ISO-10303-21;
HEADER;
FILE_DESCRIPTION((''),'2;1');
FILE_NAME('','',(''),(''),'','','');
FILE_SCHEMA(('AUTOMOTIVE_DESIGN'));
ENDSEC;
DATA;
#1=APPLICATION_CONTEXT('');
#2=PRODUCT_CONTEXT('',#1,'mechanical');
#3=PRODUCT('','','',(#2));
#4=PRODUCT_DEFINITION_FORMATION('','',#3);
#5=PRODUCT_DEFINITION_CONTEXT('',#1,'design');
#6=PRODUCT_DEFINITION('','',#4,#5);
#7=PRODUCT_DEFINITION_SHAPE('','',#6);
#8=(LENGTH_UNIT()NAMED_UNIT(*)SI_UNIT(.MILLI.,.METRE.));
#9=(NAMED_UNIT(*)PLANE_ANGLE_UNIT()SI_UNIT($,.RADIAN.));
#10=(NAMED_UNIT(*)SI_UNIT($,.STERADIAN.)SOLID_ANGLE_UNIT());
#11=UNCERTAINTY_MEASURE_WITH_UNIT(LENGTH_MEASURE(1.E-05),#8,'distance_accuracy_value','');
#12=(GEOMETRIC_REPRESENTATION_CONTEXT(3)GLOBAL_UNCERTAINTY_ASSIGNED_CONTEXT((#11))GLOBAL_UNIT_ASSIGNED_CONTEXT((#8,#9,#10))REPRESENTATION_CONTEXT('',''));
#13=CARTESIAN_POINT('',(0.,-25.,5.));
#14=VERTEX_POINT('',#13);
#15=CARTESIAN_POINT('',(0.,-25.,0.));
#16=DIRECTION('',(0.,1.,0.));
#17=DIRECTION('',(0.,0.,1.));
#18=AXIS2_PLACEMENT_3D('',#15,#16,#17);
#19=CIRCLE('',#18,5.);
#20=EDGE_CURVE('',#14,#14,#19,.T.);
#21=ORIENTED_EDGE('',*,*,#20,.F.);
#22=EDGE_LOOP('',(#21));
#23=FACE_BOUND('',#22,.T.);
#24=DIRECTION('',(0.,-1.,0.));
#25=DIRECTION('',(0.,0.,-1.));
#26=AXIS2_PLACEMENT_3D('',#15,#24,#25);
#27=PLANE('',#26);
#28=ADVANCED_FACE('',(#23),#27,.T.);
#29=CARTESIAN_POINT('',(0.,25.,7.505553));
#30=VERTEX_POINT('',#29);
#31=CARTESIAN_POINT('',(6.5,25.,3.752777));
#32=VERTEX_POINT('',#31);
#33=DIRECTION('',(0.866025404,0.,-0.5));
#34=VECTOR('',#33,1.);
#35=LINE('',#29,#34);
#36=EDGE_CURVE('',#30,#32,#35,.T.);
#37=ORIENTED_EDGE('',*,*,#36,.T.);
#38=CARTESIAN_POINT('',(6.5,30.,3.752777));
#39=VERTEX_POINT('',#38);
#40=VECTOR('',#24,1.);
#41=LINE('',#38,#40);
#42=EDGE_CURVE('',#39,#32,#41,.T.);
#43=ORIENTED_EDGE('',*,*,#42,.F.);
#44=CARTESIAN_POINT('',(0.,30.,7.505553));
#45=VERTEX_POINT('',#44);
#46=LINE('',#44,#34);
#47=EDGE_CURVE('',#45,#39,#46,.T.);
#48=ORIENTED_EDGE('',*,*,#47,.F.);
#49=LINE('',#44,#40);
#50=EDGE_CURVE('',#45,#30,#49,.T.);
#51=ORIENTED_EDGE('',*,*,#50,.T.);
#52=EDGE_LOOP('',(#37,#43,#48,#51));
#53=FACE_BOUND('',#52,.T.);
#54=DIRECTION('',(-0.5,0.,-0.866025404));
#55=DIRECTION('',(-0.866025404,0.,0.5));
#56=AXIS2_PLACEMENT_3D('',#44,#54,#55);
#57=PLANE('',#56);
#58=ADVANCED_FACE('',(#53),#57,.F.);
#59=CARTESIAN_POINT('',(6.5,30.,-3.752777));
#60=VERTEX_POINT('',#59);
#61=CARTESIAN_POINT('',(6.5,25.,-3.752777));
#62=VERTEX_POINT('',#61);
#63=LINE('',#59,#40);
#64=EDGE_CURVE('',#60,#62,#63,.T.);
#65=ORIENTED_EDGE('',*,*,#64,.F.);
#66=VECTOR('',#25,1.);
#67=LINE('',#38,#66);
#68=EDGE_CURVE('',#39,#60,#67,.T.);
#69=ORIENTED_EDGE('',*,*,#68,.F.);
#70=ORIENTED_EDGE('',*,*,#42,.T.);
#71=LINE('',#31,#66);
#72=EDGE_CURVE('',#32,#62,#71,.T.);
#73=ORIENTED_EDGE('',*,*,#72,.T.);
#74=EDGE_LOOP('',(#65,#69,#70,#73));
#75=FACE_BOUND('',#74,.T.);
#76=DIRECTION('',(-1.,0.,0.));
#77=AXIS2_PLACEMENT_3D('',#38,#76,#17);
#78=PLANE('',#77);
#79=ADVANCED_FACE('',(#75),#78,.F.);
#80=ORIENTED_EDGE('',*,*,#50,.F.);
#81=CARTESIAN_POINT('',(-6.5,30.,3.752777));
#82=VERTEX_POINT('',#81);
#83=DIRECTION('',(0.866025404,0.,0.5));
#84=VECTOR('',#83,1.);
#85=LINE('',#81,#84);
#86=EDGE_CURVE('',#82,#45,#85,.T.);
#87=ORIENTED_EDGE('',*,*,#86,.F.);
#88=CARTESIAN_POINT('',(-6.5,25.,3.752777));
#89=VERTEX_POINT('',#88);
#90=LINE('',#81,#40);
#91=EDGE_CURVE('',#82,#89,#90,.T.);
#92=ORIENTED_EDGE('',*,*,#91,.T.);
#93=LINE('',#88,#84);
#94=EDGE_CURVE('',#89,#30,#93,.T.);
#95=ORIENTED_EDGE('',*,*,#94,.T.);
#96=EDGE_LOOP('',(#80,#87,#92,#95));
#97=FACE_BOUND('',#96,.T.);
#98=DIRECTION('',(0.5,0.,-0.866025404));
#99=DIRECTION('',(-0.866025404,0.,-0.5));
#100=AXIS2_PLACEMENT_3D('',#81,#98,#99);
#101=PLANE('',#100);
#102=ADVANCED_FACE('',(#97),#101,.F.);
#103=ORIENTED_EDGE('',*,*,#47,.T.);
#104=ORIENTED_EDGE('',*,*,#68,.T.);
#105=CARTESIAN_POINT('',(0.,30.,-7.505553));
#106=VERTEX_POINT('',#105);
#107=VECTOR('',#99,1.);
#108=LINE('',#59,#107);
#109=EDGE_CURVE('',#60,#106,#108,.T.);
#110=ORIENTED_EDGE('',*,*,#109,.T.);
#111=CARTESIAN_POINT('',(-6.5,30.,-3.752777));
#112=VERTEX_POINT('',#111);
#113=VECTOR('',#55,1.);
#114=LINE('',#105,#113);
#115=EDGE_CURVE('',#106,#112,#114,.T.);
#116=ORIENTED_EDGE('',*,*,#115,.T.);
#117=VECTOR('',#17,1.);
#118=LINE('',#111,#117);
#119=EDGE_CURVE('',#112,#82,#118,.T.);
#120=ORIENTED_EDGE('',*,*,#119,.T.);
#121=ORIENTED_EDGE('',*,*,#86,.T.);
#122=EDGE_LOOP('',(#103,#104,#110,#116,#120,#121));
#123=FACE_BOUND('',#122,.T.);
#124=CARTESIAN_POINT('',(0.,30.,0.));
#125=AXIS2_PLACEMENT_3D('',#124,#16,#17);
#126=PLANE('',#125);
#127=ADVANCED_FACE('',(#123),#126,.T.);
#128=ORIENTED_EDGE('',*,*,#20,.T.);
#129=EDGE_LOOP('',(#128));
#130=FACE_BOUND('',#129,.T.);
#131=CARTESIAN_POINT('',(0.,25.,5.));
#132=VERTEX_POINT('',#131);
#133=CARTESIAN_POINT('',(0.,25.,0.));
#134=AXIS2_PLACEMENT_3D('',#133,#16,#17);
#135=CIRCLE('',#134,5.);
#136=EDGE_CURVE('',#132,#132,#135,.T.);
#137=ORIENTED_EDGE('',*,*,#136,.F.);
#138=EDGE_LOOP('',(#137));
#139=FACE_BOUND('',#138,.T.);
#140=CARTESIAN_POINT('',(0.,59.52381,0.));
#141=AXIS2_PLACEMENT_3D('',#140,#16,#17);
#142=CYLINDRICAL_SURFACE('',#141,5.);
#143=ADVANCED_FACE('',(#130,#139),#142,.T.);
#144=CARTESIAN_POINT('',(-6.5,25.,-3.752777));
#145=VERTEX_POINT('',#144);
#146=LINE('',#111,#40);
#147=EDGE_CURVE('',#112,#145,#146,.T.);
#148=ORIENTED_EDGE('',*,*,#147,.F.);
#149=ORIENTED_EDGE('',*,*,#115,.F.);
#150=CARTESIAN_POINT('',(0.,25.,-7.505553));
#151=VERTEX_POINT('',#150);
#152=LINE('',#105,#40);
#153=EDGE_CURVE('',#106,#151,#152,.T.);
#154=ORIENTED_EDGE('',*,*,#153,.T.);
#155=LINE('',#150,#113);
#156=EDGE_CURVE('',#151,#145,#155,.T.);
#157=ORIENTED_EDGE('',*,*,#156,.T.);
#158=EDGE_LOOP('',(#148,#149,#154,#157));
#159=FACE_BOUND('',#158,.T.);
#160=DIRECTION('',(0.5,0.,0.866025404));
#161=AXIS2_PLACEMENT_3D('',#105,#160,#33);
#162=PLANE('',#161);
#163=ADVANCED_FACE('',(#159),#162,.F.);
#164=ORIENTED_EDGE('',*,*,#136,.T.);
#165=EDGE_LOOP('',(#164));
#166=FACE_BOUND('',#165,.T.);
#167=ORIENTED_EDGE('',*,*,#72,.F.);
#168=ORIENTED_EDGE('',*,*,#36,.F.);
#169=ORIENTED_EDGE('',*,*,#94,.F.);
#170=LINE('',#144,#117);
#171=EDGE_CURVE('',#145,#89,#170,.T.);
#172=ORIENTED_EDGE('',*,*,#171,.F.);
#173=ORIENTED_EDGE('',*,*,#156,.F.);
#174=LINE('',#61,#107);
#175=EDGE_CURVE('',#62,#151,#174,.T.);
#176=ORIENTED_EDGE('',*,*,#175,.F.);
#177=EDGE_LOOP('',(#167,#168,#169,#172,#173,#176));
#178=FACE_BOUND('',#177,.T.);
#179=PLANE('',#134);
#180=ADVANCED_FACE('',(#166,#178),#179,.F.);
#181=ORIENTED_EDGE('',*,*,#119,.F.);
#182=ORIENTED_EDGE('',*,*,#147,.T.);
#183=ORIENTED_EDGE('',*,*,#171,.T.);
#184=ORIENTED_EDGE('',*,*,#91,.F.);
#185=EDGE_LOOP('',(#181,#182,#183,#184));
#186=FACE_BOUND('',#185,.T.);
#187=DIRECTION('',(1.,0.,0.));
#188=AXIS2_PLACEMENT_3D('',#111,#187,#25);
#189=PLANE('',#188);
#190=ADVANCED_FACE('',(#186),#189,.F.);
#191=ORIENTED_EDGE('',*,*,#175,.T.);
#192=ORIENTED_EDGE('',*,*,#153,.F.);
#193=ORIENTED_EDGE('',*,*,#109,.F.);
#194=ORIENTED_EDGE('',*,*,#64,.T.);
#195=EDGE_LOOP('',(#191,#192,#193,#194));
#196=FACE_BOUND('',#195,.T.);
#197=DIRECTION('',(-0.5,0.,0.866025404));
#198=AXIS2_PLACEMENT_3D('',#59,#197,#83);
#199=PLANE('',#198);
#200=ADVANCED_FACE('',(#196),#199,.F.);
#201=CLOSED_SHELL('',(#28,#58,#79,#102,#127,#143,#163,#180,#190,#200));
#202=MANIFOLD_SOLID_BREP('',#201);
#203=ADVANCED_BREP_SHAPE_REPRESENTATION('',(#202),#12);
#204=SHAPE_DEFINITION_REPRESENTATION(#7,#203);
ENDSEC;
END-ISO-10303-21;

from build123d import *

# Parameters (mm, degrees)
SKETCH2_W           = 5
SKETCH2_H           = 50
BOSS_EXTRUDE1_DEPTH = 5


with BuildPart() as part:
    # Sketch2 → Revolve1 (revolve)
    with BuildSketch(Plane.XY, mode=Mode.PRIVATE) as revolve1_sk:
        with Locations((-2.5, 0)):
            Rectangle(SKETCH2_W, SKETCH2_H)
    revolve(revolve1_sk.sketch.rotate(Axis((0, 59.523809524, 0), (0, -1, 0)), 270), axis=Axis((0, 59.523809524, 0), (0, -1, 0)))

    # Sketch3 → Boss-Extrude1 (add)
    with BuildSketch(Plane(origin=(0, 25, 0), x_dir=(1, 0, 0), z_dir=(0, 1, 0))):
        Polygon((-6.5, 3.75277675), (-6.5, -3.75277675), (0, -7.505553499), (6.5, -3.75277675), (6.5, 3.75277675), (0, 7.505553499), align=None)
    extrude(amount=BOSS_EXTRUDE1_DEPTH)


solid = part.part
